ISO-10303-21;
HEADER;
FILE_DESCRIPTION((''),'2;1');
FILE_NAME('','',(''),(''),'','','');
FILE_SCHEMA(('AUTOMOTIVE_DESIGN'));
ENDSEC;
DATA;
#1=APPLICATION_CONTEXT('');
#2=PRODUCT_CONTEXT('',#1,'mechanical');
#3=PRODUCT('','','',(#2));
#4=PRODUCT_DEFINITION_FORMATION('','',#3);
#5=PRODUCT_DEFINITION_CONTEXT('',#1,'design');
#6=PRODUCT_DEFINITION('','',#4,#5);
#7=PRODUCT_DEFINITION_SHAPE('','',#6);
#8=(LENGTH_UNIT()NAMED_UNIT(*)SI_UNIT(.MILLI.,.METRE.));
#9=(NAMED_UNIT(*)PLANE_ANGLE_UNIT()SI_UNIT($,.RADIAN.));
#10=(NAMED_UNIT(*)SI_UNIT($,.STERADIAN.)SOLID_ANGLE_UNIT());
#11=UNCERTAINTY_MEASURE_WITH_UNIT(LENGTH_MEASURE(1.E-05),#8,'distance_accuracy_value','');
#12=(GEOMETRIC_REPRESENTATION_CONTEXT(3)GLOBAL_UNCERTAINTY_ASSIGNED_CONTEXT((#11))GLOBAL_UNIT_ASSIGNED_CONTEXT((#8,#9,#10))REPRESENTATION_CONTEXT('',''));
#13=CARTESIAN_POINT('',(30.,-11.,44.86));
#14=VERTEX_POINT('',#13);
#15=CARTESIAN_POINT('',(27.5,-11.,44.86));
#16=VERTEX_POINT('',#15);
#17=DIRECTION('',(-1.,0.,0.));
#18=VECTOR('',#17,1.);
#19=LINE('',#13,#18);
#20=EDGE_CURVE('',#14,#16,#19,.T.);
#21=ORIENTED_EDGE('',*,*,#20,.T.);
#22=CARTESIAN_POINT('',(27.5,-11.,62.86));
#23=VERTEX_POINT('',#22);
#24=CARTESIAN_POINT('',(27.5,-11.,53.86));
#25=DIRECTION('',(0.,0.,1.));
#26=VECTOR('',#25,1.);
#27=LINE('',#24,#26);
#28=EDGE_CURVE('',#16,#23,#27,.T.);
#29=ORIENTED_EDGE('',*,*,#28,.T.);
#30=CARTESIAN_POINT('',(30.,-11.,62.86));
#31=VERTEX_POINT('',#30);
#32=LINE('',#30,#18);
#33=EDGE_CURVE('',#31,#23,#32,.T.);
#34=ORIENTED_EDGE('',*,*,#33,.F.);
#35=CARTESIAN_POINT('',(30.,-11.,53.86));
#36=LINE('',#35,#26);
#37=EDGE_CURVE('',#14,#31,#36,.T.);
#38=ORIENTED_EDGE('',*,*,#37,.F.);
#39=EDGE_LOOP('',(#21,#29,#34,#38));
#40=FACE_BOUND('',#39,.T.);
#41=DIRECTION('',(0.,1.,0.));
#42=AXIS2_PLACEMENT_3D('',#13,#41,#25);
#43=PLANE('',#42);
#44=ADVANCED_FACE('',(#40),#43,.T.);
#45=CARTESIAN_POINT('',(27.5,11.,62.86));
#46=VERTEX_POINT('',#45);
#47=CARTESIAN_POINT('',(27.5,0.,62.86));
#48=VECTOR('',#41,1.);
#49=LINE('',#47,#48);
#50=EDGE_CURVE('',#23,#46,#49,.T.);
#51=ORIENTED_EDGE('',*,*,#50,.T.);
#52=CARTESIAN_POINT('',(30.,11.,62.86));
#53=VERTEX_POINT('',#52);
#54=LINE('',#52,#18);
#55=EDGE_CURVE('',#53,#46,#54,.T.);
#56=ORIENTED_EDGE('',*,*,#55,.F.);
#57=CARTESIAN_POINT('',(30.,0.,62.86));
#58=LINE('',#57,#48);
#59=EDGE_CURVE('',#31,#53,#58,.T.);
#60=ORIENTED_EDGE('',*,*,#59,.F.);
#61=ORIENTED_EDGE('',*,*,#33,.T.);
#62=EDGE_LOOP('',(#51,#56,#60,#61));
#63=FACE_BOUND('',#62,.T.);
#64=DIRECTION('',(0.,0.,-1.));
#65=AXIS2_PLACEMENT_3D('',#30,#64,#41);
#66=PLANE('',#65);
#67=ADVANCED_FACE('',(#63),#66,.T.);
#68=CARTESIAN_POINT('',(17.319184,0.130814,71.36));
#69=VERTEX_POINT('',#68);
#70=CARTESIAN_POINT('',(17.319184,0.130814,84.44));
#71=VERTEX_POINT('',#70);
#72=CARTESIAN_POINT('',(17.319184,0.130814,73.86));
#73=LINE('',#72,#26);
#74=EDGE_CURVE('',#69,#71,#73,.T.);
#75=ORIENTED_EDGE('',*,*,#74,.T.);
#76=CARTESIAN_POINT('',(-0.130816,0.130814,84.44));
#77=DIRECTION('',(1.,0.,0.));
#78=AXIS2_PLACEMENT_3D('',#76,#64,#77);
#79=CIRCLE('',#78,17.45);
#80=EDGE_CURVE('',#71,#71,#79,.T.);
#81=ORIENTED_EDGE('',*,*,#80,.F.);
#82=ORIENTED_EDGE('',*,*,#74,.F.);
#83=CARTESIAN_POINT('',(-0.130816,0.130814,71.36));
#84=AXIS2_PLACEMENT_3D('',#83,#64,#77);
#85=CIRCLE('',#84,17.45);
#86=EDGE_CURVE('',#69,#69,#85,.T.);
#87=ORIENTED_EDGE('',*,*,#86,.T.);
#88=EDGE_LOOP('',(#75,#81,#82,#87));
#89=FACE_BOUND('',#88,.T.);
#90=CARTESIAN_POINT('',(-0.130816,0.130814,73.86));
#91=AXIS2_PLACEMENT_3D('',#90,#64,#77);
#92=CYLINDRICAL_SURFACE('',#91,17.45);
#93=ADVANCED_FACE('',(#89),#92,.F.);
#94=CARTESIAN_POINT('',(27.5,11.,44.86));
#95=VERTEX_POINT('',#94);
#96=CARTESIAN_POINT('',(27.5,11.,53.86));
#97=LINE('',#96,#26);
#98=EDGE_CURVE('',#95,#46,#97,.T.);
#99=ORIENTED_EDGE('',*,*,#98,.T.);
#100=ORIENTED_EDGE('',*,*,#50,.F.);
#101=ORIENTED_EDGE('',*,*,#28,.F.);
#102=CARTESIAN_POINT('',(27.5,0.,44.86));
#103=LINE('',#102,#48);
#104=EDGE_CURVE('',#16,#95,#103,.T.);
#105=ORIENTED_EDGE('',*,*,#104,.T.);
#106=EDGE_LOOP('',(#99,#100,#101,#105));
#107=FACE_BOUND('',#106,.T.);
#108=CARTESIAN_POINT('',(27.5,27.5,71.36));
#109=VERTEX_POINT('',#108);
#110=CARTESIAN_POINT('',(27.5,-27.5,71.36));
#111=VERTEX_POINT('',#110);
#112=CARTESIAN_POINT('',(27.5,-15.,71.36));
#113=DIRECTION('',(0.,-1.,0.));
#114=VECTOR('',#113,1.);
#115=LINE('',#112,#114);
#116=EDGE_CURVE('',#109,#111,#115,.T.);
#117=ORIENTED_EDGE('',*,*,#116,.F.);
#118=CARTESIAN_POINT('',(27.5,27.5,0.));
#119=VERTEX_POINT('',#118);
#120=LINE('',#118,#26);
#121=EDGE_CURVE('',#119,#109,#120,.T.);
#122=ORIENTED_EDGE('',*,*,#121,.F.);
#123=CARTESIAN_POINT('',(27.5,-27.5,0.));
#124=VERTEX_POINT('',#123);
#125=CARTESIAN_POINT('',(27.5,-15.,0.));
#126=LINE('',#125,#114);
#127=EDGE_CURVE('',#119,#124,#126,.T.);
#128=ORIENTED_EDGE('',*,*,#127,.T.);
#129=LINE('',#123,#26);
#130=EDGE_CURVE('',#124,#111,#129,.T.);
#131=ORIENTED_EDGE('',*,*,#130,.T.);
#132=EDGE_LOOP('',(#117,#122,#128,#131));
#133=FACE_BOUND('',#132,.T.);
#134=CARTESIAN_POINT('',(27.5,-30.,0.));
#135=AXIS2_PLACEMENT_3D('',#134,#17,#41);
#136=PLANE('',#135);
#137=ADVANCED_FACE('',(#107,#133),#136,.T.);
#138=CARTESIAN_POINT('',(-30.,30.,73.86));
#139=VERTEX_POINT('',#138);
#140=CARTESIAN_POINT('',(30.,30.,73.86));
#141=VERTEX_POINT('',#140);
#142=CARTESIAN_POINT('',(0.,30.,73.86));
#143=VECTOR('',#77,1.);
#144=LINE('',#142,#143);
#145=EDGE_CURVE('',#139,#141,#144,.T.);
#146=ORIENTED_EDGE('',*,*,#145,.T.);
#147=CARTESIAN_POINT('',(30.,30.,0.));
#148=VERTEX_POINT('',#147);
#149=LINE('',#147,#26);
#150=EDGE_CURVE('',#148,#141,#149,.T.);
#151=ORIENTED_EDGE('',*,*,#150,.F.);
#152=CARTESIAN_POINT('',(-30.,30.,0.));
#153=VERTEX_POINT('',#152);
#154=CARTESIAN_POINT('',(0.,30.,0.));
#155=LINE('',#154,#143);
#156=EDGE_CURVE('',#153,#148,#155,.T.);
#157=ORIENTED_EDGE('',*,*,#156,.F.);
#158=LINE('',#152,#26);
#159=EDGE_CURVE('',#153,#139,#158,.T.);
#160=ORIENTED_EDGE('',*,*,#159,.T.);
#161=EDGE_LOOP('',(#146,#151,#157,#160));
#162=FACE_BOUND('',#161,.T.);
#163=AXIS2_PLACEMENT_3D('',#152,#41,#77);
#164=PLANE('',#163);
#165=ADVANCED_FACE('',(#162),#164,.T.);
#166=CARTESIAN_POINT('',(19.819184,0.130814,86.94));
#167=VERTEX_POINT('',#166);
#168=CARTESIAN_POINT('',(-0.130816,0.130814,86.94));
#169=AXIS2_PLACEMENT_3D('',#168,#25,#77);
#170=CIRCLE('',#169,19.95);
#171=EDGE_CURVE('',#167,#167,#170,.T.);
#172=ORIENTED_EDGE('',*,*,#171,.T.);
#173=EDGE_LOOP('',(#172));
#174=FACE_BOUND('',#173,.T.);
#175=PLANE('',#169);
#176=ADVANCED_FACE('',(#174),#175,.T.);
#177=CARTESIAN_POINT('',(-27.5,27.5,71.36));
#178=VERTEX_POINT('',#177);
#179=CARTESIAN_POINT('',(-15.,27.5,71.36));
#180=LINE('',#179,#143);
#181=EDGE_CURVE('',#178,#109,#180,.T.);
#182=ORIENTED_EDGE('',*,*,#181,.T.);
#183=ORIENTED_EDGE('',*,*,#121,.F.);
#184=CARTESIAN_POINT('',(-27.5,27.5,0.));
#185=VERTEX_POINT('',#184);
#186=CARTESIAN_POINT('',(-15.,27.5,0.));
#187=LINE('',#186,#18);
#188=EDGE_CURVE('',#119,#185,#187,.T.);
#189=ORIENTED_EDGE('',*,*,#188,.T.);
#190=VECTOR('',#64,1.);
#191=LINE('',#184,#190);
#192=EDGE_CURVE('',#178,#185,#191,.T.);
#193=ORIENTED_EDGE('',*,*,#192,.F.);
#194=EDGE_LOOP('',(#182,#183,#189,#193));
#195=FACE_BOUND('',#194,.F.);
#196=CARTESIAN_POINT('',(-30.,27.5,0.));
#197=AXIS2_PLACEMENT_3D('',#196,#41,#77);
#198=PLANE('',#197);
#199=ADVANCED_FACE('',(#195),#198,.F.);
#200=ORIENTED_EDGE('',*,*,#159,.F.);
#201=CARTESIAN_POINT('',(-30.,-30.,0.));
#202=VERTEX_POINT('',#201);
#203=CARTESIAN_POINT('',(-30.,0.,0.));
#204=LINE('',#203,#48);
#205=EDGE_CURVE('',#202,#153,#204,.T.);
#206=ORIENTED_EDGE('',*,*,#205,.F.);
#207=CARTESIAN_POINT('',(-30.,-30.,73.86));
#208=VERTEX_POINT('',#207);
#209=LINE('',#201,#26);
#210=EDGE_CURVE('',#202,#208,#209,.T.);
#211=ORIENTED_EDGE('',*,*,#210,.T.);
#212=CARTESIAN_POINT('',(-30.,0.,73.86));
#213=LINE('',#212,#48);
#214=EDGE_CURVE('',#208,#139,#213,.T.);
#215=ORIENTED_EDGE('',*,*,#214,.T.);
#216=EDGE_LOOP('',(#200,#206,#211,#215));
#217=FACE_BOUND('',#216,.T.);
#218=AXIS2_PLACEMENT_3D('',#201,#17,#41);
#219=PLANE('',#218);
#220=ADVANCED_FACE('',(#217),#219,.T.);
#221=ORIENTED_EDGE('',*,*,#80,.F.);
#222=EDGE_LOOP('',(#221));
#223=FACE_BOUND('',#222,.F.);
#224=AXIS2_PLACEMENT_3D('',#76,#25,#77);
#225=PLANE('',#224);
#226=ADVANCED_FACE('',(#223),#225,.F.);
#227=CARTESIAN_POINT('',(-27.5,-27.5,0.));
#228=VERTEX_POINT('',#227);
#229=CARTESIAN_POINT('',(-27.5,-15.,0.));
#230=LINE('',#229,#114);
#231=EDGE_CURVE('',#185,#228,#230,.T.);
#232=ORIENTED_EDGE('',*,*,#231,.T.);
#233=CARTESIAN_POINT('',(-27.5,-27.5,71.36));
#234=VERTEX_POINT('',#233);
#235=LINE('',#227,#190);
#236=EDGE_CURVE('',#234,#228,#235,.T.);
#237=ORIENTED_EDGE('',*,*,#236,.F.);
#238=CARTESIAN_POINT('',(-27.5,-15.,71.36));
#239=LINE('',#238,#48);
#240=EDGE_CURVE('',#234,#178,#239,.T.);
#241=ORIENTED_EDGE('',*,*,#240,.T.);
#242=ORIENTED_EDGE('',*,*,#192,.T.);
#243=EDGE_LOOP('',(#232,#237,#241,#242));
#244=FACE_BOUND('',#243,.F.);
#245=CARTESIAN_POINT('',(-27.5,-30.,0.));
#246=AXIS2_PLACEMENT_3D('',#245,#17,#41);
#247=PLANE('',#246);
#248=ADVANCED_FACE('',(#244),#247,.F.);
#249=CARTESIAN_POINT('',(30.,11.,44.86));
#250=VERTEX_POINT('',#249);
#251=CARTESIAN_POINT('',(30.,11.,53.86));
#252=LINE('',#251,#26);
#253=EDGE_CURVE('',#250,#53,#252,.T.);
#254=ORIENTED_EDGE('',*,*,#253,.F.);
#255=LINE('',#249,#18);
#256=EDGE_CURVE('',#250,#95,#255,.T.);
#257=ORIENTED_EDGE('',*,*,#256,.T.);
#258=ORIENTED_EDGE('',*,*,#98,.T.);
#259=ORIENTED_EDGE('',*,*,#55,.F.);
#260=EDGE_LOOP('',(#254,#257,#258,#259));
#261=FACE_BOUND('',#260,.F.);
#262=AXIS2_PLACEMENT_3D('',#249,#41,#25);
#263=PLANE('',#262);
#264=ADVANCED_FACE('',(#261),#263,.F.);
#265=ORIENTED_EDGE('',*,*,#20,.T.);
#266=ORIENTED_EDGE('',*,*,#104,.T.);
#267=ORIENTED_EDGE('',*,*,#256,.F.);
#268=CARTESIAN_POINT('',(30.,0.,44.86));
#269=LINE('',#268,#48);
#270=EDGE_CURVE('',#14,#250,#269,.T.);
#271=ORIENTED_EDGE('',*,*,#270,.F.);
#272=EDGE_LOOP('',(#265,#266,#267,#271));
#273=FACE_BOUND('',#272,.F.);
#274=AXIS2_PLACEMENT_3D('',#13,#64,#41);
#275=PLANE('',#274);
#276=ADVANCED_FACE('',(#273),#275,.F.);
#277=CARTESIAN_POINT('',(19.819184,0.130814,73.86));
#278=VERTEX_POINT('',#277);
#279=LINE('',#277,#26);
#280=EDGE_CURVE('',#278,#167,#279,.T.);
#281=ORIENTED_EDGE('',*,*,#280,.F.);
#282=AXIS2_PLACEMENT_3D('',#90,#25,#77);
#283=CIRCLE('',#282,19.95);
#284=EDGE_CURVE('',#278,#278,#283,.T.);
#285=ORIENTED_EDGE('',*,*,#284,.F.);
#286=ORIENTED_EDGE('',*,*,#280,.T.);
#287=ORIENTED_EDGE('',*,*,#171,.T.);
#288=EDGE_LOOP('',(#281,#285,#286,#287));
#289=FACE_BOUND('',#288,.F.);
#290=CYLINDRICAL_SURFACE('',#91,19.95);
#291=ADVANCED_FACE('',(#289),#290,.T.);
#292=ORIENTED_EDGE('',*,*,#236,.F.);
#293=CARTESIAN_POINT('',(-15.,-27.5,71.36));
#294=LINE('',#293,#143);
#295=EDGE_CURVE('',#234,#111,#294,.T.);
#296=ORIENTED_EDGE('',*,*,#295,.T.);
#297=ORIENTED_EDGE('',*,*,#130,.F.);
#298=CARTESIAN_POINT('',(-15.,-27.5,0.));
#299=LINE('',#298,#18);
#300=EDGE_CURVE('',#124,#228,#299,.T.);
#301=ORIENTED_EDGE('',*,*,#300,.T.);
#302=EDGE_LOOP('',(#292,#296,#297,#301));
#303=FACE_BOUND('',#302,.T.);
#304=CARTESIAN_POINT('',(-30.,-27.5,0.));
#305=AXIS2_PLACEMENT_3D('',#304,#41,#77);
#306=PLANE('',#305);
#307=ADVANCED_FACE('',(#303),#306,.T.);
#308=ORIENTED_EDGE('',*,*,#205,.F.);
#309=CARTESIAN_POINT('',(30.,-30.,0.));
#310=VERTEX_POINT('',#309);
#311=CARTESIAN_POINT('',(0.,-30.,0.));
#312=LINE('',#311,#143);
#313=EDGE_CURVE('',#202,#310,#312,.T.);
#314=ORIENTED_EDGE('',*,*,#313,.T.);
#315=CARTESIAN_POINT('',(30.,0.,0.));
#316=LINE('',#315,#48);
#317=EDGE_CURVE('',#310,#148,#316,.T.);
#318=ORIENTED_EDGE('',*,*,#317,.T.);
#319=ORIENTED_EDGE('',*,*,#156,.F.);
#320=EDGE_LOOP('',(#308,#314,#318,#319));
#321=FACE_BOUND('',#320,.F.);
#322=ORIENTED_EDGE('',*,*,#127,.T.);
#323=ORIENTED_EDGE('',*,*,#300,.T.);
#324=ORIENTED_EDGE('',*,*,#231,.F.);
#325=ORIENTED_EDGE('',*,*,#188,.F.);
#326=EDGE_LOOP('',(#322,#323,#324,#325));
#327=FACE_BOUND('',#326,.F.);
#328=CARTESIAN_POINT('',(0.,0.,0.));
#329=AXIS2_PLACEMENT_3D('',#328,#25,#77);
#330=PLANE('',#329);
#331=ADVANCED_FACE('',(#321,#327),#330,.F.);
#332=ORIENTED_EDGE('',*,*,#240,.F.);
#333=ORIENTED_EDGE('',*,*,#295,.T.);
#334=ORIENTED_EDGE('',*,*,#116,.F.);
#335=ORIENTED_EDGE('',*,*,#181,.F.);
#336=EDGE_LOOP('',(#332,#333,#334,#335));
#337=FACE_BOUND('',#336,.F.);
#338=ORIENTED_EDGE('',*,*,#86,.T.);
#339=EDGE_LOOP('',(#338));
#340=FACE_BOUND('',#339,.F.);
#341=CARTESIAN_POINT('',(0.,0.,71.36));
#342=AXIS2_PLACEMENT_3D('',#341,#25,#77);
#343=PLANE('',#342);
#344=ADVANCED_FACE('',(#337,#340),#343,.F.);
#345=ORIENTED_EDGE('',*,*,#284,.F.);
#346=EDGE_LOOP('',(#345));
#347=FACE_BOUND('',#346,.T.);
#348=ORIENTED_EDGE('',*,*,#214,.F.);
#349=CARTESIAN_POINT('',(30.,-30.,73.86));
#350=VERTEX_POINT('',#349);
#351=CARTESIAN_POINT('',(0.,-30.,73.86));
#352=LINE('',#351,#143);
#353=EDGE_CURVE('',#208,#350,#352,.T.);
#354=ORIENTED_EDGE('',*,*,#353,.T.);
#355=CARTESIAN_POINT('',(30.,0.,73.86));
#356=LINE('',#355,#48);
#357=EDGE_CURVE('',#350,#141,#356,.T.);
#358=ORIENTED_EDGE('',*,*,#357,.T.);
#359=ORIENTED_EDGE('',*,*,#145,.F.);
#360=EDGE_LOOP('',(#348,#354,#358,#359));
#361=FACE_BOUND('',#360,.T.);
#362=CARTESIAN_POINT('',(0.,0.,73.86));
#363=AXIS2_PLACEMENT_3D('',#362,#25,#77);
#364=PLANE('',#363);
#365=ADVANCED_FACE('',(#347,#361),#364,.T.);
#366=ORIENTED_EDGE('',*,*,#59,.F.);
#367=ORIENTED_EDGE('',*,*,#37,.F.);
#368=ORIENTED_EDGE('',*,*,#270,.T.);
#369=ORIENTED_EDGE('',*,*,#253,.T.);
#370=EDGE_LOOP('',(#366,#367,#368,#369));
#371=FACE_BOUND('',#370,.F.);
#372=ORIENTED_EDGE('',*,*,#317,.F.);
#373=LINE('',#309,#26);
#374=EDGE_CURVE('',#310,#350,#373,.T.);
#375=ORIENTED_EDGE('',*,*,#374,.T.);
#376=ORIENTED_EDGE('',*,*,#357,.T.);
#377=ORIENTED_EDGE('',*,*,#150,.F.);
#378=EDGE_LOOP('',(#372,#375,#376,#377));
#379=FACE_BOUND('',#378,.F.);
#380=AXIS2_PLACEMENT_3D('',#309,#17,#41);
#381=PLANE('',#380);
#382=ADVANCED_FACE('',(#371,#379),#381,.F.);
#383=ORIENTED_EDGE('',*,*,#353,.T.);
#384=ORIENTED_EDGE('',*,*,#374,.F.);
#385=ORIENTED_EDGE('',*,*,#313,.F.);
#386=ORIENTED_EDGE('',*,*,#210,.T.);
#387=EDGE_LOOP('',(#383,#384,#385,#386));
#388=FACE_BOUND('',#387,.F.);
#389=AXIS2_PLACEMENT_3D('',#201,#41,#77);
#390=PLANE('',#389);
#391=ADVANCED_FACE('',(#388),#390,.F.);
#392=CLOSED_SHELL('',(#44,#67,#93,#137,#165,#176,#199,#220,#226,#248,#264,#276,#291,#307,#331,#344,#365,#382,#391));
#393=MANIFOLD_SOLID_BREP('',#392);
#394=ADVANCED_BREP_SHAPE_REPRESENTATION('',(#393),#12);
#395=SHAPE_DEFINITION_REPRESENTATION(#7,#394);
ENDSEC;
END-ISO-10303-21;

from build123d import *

# Parameters (mm, degrees)
F3_W     = 60
F3_H     = 60
F4_DEPTH = 73.86
F5_R     = 19.95
F6_DEPTH = 13.08
F8_T     = -2.5
F7_W     = 22
F7_H     = 18
F9_DEPTH = 2.5


with BuildPart() as f4:
    # F3 (on Top) → F4 (new body)
    with BuildSketch(Plane.XY):
        Rectangle(F3_W, F3_H)
    extrude(amount=F4_DEPTH)

    # F5 (on face) → F6 (join)
    with BuildSketch(Plane.XY.offset(73.86)):
        with Locations((-0.130815577, 0.1308139617)):
            Circle(F5_R)
    extrude(amount=F6_DEPTH)

    # F8
    f8_openings = [f4.faces().sort_by_distance(p)[0] for p in [
        (0, 0, 0),
    ]]
    offset(amount=F8_T, openings=f8_openings, kind=Kind.INTERSECTION)

    # F7 (on face) → F9 (cut)
    with BuildSketch(Plane.YZ.offset(30)):
        with Locations((0, 53.86)):
            Rectangle(F7_W, F7_H)
    extrude(amount=-F9_DEPTH, mode=Mode.SUBTRACT)


solid = f4.part
